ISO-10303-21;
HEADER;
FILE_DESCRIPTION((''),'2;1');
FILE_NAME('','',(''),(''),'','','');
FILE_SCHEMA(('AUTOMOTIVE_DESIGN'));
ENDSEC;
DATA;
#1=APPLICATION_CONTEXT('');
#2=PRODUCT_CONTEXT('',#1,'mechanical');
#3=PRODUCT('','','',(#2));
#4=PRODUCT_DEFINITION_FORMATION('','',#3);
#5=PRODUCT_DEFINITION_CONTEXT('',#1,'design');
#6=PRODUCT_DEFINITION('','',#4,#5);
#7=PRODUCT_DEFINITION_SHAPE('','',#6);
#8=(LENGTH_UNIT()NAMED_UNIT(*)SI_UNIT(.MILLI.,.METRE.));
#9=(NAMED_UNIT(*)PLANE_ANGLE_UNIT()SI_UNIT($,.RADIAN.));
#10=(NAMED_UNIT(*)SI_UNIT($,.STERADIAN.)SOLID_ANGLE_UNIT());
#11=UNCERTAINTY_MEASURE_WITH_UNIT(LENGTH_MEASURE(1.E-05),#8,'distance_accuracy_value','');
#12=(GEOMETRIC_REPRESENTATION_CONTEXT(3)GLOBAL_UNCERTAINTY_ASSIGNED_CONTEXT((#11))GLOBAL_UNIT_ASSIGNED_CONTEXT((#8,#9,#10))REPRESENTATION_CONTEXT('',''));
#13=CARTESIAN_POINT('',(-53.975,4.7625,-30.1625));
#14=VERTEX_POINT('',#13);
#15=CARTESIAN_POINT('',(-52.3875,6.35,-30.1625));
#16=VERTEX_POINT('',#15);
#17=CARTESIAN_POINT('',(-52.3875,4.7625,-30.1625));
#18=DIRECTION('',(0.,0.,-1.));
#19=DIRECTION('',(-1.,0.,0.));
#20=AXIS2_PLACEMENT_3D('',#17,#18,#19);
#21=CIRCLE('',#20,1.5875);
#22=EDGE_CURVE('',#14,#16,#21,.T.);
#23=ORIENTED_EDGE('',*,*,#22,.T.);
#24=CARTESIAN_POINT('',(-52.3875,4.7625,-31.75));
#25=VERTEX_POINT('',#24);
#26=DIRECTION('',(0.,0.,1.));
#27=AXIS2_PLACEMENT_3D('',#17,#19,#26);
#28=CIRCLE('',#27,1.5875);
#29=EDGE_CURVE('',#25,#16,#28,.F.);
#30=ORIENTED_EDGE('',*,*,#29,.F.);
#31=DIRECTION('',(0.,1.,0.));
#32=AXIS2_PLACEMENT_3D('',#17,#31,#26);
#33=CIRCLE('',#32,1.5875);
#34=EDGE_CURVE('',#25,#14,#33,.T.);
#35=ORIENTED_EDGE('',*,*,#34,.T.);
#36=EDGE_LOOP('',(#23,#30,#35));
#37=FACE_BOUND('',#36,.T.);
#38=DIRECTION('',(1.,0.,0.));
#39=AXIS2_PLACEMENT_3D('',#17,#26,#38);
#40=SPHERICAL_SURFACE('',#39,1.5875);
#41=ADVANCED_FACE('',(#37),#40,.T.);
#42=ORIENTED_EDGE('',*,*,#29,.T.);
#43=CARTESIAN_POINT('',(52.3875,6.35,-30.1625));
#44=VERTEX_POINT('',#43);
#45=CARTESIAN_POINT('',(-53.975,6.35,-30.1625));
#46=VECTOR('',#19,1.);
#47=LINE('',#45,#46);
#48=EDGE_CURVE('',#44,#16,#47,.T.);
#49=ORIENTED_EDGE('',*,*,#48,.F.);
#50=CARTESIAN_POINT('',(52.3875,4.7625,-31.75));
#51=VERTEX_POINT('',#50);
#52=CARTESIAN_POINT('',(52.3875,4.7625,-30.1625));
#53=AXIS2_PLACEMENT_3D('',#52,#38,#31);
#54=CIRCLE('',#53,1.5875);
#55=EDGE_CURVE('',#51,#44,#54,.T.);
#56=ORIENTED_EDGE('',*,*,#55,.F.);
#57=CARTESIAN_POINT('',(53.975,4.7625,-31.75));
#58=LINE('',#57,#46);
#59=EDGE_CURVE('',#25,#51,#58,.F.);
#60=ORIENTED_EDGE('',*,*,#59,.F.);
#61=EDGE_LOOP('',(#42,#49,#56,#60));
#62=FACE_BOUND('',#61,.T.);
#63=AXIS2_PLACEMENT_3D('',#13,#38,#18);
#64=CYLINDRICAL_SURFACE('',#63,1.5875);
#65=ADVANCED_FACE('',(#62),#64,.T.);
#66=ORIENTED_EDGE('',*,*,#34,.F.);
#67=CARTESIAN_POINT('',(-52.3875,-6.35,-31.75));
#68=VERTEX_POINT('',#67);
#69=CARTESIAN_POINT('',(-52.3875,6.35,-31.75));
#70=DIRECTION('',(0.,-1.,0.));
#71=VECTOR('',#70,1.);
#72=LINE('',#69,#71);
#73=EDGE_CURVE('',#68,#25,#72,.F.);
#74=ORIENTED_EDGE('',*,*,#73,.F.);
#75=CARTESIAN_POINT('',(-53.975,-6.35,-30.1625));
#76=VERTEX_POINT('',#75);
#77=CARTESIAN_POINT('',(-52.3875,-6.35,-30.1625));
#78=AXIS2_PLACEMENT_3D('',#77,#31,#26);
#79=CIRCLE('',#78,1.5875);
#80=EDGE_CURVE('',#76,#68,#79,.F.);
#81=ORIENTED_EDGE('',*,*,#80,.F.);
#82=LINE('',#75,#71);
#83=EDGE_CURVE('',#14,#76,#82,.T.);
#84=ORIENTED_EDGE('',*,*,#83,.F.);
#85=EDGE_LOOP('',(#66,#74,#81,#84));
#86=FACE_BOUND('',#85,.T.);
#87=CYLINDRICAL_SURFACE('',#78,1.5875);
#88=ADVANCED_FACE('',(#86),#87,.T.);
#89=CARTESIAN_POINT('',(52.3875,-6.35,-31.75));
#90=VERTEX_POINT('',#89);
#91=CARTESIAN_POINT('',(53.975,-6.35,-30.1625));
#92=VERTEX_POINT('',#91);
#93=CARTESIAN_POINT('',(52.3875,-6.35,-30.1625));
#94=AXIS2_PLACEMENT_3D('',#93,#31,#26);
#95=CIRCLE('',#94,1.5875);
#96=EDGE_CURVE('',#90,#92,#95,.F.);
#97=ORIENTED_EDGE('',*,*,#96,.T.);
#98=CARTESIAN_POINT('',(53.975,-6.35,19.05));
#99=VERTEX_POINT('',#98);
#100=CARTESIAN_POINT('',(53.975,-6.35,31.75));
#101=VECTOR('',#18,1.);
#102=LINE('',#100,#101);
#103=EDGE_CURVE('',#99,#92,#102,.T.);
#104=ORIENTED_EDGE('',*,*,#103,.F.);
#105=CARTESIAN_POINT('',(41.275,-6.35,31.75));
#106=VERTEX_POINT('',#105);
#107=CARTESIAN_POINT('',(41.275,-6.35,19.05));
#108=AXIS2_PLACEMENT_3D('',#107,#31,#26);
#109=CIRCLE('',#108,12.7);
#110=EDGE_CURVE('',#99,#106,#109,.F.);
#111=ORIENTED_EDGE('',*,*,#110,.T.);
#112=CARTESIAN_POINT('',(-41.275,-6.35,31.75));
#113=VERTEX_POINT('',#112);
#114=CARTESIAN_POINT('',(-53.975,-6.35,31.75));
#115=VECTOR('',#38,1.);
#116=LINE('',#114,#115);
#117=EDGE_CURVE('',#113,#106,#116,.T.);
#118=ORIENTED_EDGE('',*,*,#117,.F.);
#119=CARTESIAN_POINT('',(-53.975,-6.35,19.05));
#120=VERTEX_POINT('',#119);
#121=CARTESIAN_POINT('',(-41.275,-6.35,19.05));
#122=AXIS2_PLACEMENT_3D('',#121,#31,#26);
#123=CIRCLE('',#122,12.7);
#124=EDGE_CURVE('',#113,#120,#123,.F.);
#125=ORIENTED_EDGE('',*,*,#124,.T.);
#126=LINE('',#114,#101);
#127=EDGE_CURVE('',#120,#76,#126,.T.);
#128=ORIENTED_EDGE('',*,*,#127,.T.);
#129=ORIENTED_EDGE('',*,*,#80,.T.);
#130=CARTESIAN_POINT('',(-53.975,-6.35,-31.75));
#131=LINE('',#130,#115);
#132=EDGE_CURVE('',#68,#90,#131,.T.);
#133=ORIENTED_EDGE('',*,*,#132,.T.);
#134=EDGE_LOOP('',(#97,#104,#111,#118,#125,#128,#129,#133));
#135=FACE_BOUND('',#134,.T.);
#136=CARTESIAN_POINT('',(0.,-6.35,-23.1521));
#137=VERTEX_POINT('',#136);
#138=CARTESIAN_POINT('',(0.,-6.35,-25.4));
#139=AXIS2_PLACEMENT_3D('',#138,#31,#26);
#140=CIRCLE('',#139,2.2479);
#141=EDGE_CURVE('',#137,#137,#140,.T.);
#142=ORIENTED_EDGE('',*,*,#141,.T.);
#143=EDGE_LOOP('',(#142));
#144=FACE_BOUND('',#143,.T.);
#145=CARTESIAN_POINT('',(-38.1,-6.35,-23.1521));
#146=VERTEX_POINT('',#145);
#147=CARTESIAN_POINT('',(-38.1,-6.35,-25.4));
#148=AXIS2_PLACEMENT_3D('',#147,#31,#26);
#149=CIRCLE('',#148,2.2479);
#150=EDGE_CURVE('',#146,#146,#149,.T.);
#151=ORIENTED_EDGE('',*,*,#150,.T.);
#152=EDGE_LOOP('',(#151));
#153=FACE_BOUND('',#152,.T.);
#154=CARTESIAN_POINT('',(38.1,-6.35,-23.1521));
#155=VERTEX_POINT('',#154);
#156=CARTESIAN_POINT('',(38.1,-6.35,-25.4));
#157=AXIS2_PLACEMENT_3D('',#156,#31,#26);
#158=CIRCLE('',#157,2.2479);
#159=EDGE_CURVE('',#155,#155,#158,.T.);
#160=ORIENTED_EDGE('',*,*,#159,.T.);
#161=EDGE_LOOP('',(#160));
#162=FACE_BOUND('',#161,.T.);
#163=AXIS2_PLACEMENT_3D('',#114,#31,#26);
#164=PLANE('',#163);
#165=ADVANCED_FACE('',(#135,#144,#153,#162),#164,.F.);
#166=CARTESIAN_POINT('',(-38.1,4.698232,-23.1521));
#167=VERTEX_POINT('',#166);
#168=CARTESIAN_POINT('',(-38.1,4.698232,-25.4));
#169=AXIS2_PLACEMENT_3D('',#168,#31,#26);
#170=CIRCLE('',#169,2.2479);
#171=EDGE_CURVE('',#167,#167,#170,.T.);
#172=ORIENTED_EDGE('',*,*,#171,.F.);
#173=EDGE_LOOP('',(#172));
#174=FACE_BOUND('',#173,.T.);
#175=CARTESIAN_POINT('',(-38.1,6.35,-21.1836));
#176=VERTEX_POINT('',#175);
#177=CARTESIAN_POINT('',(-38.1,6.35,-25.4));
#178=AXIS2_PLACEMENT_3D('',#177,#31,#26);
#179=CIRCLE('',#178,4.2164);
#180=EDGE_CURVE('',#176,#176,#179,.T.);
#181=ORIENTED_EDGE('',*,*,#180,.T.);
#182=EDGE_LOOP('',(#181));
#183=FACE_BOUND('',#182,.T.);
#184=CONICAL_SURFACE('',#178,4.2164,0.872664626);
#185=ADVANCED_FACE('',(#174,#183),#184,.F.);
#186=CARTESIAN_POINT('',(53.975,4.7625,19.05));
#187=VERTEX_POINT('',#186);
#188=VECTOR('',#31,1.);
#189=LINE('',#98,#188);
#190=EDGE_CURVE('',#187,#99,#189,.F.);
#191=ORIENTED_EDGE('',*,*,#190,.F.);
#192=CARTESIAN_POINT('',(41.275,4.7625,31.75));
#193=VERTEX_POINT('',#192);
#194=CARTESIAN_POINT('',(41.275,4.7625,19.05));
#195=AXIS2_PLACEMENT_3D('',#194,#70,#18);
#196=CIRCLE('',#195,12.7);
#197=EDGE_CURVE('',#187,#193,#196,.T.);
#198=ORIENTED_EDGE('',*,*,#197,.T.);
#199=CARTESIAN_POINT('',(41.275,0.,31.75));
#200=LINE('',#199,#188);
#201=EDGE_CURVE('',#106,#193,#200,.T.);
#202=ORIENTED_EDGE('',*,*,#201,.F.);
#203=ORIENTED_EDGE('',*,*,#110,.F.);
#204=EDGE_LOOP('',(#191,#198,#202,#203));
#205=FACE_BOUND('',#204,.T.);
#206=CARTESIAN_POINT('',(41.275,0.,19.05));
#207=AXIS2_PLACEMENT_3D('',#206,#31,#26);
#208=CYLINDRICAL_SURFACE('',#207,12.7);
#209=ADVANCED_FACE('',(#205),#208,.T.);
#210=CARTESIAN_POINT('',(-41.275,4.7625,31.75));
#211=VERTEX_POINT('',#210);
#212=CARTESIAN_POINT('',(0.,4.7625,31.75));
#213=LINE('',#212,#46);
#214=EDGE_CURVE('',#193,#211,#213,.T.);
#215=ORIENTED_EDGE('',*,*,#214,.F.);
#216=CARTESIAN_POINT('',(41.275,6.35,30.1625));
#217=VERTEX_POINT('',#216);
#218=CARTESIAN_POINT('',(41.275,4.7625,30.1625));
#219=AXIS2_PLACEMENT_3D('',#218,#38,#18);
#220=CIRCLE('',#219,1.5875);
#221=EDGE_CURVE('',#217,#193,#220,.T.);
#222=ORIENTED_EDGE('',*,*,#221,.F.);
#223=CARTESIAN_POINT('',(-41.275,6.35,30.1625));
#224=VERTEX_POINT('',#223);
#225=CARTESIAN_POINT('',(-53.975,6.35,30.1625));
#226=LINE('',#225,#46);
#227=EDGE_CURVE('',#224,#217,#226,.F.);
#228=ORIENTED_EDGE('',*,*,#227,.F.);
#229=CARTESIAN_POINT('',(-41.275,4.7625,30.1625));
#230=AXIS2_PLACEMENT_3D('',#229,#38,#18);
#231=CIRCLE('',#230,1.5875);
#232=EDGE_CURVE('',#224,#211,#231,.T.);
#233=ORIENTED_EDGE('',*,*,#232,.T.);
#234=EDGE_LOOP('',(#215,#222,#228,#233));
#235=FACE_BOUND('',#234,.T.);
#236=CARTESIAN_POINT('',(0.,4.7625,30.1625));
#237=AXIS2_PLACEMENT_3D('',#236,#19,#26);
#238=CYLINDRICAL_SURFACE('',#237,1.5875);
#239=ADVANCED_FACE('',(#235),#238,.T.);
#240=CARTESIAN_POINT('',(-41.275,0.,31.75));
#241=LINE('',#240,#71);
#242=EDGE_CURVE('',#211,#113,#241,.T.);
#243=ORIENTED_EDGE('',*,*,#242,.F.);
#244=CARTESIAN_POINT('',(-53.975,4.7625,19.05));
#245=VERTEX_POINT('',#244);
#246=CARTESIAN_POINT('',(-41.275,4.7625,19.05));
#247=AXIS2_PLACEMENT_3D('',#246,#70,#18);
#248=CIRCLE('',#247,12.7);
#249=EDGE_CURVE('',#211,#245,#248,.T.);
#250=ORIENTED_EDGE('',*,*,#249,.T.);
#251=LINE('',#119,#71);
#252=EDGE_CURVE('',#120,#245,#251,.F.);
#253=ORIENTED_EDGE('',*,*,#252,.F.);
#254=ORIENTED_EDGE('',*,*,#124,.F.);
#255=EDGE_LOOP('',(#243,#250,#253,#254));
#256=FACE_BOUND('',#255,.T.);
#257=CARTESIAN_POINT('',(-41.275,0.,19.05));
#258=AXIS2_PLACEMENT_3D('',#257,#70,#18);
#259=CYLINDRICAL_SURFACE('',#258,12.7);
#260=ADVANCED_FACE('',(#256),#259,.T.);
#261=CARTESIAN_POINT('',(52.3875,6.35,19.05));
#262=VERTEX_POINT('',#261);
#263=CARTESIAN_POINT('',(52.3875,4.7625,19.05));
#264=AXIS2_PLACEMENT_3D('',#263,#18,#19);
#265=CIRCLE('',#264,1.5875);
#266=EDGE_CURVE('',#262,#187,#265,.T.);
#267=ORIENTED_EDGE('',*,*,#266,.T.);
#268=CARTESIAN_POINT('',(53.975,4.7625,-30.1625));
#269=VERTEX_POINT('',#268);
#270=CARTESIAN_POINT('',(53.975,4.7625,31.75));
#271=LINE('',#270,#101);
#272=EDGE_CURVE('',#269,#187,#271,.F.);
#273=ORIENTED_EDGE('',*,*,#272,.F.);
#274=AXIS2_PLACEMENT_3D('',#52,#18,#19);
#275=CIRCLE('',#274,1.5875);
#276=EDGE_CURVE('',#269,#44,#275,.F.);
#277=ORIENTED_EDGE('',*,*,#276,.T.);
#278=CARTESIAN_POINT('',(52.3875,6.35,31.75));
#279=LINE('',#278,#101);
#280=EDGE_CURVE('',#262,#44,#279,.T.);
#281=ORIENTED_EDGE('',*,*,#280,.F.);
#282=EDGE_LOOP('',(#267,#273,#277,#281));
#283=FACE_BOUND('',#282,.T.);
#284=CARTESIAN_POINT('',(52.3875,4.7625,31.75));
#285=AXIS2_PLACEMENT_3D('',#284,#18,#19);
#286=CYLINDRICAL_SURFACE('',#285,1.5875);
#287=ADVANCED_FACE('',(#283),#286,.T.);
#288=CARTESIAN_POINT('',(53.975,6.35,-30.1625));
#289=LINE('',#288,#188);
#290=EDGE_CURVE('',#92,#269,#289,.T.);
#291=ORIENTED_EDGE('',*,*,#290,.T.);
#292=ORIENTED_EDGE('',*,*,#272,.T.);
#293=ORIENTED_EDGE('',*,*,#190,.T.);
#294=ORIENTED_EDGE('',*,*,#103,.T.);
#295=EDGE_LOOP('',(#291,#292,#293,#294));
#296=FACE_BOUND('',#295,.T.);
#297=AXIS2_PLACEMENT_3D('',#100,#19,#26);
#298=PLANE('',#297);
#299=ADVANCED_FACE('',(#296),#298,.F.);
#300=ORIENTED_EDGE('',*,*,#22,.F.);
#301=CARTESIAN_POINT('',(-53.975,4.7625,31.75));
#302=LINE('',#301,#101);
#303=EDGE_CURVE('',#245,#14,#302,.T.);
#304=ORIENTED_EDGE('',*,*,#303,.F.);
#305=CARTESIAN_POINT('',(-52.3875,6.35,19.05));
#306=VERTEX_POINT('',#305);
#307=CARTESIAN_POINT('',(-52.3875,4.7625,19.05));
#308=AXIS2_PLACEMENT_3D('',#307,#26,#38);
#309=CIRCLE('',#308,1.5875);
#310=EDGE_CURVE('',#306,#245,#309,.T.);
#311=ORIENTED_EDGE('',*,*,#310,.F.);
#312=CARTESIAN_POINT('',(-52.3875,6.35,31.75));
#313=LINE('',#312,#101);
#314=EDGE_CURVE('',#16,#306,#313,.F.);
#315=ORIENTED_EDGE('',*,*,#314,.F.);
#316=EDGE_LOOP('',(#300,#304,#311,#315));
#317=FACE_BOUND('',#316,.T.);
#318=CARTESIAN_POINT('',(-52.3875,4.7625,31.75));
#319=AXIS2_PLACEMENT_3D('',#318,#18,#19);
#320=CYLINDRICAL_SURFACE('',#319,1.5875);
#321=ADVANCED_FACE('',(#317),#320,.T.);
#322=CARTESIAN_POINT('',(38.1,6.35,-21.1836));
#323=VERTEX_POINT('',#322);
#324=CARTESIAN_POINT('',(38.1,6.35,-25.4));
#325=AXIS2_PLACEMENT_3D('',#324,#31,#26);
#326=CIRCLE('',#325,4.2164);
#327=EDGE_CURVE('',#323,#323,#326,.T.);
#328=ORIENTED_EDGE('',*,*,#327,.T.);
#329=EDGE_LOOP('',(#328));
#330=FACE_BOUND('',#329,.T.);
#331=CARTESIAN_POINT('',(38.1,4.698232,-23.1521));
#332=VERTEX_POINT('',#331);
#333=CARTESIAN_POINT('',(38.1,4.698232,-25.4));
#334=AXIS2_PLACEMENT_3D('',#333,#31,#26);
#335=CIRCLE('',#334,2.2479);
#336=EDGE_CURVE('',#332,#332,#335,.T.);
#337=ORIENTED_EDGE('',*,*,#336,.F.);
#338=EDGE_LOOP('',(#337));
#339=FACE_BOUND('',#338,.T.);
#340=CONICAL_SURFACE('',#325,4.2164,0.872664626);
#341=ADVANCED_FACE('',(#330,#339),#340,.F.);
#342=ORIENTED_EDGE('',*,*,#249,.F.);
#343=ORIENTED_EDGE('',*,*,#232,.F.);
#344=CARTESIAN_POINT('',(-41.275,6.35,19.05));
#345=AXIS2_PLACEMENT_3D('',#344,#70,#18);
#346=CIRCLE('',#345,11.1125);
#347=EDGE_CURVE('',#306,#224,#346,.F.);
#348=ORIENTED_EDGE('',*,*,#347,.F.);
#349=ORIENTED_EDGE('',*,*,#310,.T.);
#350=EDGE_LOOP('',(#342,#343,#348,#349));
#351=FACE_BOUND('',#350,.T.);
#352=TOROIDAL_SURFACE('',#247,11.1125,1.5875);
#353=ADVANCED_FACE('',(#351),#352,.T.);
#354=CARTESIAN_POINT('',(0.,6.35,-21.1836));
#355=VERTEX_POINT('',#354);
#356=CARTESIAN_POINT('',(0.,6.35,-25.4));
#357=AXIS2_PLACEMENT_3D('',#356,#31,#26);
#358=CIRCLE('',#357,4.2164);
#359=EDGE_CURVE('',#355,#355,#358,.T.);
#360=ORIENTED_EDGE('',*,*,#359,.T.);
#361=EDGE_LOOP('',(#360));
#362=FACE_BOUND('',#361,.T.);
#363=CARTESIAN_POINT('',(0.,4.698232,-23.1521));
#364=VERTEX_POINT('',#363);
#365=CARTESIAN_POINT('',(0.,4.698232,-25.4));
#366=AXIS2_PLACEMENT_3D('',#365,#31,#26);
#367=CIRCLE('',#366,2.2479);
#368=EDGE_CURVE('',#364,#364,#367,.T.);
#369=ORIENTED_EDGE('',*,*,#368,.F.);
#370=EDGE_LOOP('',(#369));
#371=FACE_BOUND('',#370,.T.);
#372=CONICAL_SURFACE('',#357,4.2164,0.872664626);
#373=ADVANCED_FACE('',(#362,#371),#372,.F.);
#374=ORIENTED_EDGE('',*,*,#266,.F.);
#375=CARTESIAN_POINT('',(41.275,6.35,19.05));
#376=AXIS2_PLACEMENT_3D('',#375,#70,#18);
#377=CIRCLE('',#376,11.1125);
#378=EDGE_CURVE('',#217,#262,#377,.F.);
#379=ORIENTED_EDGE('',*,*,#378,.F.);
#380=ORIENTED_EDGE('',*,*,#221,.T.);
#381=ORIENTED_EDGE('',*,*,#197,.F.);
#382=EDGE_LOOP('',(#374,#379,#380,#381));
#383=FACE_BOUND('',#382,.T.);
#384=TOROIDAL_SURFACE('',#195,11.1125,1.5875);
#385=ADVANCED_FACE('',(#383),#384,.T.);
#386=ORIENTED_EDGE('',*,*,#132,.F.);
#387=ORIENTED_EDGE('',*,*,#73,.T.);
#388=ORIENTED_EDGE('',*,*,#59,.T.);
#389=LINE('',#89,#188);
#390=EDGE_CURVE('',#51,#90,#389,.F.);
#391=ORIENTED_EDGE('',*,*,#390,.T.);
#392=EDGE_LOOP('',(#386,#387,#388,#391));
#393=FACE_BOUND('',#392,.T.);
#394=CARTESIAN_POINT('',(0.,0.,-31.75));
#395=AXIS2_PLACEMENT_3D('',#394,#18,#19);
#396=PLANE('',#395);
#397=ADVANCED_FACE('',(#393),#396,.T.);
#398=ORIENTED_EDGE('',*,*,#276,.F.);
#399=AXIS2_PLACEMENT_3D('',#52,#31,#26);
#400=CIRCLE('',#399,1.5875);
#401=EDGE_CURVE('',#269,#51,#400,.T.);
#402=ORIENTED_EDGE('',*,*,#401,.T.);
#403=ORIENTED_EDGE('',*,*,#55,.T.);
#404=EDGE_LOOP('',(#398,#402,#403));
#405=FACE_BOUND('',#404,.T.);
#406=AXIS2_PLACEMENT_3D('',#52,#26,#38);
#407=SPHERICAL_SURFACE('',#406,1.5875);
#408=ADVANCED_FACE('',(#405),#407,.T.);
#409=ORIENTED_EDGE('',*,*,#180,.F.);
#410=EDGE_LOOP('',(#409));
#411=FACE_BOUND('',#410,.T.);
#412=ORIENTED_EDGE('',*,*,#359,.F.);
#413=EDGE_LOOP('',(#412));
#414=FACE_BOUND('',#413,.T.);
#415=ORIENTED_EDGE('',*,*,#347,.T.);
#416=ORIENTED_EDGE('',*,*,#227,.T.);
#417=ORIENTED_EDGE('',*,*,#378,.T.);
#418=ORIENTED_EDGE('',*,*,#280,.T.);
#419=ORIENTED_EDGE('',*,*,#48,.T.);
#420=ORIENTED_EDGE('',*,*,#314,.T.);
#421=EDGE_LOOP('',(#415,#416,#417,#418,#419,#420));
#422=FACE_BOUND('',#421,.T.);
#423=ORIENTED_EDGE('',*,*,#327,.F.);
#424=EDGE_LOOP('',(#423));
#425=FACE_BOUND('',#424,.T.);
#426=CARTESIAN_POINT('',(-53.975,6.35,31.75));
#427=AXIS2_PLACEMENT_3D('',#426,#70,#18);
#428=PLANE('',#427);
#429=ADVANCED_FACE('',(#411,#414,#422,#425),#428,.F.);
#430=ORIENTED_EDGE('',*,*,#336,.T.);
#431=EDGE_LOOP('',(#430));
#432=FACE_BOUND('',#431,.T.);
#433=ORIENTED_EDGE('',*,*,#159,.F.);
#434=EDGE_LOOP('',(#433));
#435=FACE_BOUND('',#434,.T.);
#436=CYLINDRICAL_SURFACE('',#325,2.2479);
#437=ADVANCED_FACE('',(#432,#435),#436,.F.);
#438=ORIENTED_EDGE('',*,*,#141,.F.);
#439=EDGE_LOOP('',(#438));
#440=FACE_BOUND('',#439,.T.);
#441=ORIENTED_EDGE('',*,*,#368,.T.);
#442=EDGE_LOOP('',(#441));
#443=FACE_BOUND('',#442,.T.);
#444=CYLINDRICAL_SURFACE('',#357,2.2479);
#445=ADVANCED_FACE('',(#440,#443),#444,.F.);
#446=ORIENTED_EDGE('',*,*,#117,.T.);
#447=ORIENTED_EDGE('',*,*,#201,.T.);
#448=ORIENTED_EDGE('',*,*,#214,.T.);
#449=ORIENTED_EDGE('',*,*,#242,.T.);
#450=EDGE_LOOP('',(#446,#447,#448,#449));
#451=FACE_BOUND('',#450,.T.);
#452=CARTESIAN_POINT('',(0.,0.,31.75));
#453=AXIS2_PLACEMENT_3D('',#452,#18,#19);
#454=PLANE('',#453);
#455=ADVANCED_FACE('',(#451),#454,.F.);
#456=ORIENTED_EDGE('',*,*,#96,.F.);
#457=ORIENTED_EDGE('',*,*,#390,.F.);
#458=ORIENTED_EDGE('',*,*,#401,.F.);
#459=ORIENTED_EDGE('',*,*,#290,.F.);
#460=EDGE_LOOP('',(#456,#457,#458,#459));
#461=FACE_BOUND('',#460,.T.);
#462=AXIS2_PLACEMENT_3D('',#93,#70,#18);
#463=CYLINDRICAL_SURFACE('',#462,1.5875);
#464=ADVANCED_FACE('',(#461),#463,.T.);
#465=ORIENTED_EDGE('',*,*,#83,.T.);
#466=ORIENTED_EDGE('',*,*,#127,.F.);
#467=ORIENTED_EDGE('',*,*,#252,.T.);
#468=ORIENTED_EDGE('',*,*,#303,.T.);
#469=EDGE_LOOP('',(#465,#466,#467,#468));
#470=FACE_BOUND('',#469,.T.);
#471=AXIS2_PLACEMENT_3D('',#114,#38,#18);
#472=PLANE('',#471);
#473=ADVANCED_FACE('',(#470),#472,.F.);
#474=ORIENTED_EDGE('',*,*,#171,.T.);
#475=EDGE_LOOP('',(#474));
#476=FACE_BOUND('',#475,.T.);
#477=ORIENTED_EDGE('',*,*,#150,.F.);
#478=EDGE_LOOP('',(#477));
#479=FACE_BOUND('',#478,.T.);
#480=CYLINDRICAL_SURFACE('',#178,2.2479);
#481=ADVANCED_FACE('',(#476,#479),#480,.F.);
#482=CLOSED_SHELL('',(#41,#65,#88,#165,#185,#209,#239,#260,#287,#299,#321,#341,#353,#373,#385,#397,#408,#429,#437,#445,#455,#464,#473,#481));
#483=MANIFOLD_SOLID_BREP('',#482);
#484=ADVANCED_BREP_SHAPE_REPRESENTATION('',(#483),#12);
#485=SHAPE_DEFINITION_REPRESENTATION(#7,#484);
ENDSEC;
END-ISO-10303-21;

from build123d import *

# Parameters (mm, degrees)
SKETCH1_W                                         = 107.95
SKETCH1_H                                         = 12.7
BOSS_EXTRUDE1_DEPTH                               = 31.75
FILLET1_R                                         = 12.7
CSK_FOR_8_FLAT_HEAD_MACHINE_SCREW_100_D           = 4.4958
CSK_FOR_8_FLAT_HEAD_MACHINE_SCREW_100_DEPTH       = 19.05
CSK_FOR_8_FLAT_HEAD_MACHINE_SCREW_100_CSINK_D     = 8.4328
CSK_FOR_8_FLAT_HEAD_MACHINE_SCREW_100_CSINK_ANGLE = 100
CSK_FOR_8_FLAT_HEAD_MACHINE_SCREW_100_TIP         = 1.350674586
FILLET2_R                                         = 1.5875


with BuildPart() as part:
    # Sketch1 → Boss-Extrude1 (new, symmetric)
    with BuildSketch(Plane.XY):
        Rectangle(SKETCH1_W, SKETCH1_H)
    extrude(amount=BOSS_EXTRUDE1_DEPTH, both=True)

    # Fillet1
    fillet1_edges = [part.edges().sort_by_distance(p)[0] for p in [
        (-53.975, 0, 31.75),
        (53.975, 0, 31.75),
    ]]
    fillet(fillet1_edges, radius=FILLET1_R)

    # CSK for #8 Flat Head Machine Screw (100)1
    with Locations(Plane(origin=(0, 6.35, 0), x_dir=(1, 0, 0), z_dir=(0, 1, 0))):
        with Locations((-38.1, 25.4), (38.1, 25.4), (0, 25.4)):
            CounterSinkHole(CSK_FOR_8_FLAT_HEAD_MACHINE_SCREW_100_D / 2, CSK_FOR_8_FLAT_HEAD_MACHINE_SCREW_100_CSINK_D / 2, depth=CSK_FOR_8_FLAT_HEAD_MACHINE_SCREW_100_DEPTH, counter_sink_angle=CSK_FOR_8_FLAT_HEAD_MACHINE_SCREW_100_CSINK_ANGLE)
            with Locations((0, 0, -(CSK_FOR_8_FLAT_HEAD_MACHINE_SCREW_100_DEPTH + CSK_FOR_8_FLAT_HEAD_MACHINE_SCREW_100_TIP / 2))):  # 118° drill point
                Cone(0, CSK_FOR_8_FLAT_HEAD_MACHINE_SCREW_100_D / 2, CSK_FOR_8_FLAT_HEAD_MACHINE_SCREW_100_TIP, mode=Mode.SUBTRACT)

    # Fillet2
    fillet2_edges = [part.edges().sort_by_distance(p)[0] for p in [
        (0, 6.35, 31.75),
        (-53.975, 6.35, -6.35),
        (53.975, 6.35, -6.35),
        (50.255256121, 6.35, 28.030256121),
        (-50.255256121, 6.35, 28.030256121),
        (-53.975, 0, -31.75),
        (0, 6.35, -31.75),
        (53.975, 0, -31.75),
    ]]
    fillet(fillet2_edges, radius=FILLET2_R)


solid = part.part
